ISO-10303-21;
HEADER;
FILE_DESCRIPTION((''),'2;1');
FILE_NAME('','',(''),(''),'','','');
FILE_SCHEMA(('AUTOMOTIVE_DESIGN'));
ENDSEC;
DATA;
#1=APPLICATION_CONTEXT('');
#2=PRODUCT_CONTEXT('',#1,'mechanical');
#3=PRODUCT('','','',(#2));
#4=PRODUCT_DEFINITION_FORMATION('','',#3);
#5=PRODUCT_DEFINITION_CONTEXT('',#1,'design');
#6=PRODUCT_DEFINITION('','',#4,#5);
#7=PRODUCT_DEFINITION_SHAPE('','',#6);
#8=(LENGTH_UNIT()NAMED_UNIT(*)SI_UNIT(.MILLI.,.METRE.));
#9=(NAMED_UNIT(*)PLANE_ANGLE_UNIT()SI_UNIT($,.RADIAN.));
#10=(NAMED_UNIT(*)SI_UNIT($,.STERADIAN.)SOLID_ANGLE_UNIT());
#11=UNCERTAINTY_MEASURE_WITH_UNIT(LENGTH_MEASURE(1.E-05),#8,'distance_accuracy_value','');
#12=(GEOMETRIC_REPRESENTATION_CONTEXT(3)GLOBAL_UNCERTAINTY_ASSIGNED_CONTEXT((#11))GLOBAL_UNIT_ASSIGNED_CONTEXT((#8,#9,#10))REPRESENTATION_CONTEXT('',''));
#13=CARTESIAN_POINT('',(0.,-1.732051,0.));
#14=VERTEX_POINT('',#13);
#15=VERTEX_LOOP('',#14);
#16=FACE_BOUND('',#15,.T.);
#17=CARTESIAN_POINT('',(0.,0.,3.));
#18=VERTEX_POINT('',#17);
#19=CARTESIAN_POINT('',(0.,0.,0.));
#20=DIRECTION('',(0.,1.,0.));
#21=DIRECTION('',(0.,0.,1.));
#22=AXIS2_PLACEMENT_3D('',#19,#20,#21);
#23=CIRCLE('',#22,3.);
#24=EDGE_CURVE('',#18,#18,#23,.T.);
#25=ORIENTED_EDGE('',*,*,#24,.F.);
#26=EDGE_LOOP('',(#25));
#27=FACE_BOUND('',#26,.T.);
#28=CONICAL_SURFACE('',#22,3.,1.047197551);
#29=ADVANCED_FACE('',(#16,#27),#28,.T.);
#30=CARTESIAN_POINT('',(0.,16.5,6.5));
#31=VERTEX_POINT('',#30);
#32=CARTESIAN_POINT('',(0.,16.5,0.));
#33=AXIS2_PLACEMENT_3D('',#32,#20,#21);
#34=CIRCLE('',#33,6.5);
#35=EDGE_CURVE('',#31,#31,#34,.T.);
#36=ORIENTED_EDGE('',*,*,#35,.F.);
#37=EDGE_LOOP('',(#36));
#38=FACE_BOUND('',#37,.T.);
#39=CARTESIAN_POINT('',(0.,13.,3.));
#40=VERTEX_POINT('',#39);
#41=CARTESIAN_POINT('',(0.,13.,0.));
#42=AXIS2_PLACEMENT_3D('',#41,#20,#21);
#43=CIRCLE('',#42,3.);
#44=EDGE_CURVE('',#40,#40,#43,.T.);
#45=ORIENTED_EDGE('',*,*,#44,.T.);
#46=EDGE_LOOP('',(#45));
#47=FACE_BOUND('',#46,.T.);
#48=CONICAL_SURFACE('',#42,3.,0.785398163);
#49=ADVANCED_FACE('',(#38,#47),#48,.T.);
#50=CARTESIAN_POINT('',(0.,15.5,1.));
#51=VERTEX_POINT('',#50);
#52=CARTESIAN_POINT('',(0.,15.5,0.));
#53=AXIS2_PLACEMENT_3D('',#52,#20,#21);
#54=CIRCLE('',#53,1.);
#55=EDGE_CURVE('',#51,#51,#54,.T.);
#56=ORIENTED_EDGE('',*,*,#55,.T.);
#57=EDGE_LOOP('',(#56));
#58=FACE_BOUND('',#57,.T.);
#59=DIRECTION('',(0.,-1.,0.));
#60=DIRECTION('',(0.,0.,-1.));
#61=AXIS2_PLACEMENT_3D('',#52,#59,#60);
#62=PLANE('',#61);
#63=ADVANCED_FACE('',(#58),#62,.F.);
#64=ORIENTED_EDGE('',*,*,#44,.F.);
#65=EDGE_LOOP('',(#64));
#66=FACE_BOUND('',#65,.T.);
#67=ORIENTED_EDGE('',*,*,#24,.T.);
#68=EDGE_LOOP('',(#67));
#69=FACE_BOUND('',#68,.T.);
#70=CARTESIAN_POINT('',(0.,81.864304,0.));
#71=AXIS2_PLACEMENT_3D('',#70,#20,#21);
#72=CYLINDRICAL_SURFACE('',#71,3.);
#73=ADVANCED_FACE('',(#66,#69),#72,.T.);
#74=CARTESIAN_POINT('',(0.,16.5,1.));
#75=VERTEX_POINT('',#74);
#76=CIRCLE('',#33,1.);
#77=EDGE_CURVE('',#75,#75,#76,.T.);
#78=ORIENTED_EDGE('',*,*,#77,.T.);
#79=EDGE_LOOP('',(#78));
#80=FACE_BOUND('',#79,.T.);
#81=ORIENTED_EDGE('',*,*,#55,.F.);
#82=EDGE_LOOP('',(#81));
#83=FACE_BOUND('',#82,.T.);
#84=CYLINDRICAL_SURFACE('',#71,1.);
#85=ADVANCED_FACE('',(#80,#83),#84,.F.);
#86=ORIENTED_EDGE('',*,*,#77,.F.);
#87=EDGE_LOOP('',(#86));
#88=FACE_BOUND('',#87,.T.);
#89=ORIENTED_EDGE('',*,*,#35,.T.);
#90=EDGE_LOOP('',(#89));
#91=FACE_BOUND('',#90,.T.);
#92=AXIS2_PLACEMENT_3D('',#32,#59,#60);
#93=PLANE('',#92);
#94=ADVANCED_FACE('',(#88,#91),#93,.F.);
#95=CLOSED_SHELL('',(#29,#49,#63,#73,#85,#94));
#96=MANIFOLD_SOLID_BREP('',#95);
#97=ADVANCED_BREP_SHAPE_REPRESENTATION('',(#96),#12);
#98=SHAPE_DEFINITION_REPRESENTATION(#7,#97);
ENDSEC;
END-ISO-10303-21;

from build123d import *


with BuildPart() as part:
    # Sketch1 → Revolve1 (revolve)
    with BuildSketch(Plane.XY, mode=Mode.PRIVATE) as revolve1_sk:
        Polygon((0, -1.732050808), (0, 0), (-3, 0), align=None)
        Polygon((0, 0), (0, 15.5), (-1, 15.5), (-1, 16.5), (-6.5, 16.5), (-3, 13), (-3, 0), align=None)
    revolve(revolve1_sk.sketch.rotate(Axis((0, 81.864304429, 0), (0, -1, 0)), 270), axis=Axis((0, 81.864304429, 0), (0, -1, 0)))


solid = part.part
